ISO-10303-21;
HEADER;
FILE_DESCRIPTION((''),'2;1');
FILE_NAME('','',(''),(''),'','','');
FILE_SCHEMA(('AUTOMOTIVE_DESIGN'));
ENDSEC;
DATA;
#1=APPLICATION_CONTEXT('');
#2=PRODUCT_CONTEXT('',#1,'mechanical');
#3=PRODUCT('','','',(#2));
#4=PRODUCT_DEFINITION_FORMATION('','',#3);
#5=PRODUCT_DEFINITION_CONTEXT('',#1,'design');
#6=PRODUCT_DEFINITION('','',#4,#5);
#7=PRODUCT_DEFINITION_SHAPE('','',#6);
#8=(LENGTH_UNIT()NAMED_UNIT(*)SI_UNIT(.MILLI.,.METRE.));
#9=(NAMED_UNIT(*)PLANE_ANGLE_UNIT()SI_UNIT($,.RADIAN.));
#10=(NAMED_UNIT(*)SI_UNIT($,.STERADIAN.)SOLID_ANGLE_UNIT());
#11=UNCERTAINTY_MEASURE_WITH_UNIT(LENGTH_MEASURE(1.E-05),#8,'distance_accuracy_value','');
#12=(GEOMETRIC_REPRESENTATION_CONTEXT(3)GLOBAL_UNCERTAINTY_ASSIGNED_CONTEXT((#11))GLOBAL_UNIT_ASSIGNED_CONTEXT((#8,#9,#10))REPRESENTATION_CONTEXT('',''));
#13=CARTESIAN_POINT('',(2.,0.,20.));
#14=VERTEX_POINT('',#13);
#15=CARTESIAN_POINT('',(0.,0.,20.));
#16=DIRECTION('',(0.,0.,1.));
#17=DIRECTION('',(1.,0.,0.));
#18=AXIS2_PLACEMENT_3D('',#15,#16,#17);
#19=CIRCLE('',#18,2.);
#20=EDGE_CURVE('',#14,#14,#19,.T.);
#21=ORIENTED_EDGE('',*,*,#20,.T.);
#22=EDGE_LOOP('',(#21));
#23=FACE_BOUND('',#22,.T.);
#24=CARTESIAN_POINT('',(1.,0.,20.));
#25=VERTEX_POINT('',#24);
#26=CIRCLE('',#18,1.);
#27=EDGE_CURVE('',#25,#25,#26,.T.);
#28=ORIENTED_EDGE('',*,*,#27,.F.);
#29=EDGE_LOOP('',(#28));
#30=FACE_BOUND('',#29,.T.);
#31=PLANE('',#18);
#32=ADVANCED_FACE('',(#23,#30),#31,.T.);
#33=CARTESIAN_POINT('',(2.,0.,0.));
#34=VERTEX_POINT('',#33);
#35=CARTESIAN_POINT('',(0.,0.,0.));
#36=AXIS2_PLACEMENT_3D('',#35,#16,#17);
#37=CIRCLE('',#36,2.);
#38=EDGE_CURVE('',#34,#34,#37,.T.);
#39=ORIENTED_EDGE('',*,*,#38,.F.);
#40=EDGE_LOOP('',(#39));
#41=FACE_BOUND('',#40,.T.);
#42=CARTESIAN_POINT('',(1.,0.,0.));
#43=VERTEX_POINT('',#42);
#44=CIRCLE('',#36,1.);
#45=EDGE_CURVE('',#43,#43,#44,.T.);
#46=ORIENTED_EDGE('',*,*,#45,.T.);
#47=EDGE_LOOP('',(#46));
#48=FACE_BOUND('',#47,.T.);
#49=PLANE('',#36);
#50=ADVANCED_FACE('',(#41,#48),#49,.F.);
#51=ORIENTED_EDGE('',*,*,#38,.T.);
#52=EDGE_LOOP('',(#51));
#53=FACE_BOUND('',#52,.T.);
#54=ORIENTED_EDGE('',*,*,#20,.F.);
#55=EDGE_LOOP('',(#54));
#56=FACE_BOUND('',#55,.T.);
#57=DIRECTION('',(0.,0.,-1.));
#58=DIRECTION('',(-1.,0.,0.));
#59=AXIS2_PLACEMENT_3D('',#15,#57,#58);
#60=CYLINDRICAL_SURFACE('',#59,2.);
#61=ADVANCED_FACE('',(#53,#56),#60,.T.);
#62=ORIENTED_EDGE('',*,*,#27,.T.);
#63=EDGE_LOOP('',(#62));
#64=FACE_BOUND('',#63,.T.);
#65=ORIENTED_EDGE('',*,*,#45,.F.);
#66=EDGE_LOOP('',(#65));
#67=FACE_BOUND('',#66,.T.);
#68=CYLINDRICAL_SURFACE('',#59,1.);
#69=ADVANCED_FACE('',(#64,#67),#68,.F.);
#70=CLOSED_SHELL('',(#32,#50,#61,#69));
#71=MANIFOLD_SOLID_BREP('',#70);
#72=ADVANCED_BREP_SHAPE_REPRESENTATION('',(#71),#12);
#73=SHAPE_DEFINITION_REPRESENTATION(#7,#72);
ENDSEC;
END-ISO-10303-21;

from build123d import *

# Parameters (mm, degrees)
SCHIZZO1_R                   = 2
SCHIZZO1_R_2                 = 1
ESTRUSIONE_ESTRUSIONE1_DEPTH = 20


with BuildPart() as part:
    # Schizzo1 → Estrusione-Estrusione1 (new body)
    with BuildSketch(Plane.XY):
        Circle(SCHIZZO1_R)
        Circle(SCHIZZO1_R_2, mode=Mode.SUBTRACT)
    extrude(amount=ESTRUSIONE_ESTRUSIONE1_DEPTH)


solid = part.part
